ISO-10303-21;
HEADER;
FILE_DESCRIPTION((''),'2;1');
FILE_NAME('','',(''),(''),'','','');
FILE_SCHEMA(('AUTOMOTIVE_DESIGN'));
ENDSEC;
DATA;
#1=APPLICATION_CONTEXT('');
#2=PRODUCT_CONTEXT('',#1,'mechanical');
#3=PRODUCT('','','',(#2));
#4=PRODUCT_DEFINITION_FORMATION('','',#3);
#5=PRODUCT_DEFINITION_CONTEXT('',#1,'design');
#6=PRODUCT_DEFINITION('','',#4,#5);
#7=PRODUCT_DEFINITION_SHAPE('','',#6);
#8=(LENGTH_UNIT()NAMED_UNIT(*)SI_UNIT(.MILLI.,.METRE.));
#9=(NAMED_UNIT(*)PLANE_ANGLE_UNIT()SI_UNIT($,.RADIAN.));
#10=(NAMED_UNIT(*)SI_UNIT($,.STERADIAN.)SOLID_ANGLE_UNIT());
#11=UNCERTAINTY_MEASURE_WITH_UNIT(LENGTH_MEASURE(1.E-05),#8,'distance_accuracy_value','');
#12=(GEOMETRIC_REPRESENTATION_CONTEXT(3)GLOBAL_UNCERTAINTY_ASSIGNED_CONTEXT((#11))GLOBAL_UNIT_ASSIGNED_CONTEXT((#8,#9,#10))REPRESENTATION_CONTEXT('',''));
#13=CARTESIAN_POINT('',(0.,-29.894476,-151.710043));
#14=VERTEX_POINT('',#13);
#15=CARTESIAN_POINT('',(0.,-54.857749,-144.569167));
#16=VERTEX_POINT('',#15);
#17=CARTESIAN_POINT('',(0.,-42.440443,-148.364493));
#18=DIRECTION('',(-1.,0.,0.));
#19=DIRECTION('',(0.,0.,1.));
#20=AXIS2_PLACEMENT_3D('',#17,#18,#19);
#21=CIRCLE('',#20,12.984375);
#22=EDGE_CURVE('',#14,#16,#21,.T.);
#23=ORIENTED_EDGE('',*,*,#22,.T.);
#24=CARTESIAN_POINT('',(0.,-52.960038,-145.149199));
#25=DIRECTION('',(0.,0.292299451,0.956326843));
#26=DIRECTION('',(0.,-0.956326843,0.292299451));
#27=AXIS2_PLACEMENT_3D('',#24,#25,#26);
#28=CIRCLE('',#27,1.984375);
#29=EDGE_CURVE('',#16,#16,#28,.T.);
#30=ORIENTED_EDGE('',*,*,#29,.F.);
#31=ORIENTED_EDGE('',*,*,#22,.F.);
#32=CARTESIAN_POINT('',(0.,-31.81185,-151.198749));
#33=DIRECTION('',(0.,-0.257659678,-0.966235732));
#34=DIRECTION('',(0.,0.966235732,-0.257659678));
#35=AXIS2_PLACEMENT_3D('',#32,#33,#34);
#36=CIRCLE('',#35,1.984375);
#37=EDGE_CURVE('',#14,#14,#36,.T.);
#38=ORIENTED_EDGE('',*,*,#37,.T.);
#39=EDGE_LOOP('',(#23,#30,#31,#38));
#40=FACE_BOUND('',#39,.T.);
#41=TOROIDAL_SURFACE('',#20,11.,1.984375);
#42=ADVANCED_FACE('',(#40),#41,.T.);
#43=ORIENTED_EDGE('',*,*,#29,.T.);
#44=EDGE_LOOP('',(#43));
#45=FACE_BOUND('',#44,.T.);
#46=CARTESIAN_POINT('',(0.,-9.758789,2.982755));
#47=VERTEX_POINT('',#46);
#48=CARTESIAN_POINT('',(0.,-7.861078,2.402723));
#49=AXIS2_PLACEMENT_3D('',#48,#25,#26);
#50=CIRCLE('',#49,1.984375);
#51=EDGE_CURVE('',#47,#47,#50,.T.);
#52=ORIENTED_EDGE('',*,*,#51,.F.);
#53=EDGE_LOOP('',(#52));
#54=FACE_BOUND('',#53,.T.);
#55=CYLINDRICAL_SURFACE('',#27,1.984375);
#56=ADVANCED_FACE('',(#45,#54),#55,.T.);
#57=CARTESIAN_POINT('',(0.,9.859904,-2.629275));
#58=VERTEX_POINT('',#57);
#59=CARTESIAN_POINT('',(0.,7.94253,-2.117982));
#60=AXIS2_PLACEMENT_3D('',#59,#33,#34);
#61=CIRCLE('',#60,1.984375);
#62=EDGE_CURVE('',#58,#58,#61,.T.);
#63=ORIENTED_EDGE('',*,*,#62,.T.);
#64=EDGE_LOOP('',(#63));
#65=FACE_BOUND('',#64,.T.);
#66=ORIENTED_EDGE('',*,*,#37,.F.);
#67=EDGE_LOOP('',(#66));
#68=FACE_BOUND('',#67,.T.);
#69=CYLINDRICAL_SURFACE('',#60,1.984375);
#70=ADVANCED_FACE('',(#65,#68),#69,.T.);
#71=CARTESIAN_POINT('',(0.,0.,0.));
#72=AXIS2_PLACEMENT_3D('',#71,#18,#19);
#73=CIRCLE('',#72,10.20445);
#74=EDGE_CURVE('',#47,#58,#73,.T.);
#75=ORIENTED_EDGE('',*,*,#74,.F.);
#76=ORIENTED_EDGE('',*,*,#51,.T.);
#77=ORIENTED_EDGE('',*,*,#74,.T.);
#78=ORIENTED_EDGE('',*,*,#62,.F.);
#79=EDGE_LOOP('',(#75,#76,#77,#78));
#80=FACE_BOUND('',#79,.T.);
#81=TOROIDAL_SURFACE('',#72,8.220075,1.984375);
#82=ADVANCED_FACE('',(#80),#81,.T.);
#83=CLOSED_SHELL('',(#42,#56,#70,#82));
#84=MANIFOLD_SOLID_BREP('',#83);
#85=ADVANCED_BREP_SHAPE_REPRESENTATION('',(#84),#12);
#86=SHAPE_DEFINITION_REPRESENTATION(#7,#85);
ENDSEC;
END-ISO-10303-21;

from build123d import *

# Parameters (mm, degrees)
SKETCH2_R = 1.984375


with BuildPart() as part:
    # Sweep1: sweep along a path in Sketch1
    with BuildLine(Plane(origin=(0, 0, 0), x_dir=(0, 0, -1), z_dir=(1, 0, 0))) as sweep1_path:
        Line((2.117981875, 7.942530188), (151.198749113, -31.811849763))
        ThreePointArc((151.198749113, -31.811849763), (158.940303021, -45.465708952), (145.149198701, -52.960038095))
        Line((145.149198701, -52.960038095), (-2.402723407, -7.861078376))
        ThreePointArc((-2.402723407, -7.861078376), (-7.903086761, 2.260719501), (2.117981875, 7.942530188))
    # Sketch2 → Sweep1 (sweep)
    with BuildSketch(Plane(origin=(0, 7.942530188, -2.117981875), x_dir=(-1, 0, 0), z_dir=(0, -0.25765967762823605, -0.9662357323782399))):
        Circle(SKETCH2_R)
    sweep(path=sweep1_path.line)


solid = part.part
